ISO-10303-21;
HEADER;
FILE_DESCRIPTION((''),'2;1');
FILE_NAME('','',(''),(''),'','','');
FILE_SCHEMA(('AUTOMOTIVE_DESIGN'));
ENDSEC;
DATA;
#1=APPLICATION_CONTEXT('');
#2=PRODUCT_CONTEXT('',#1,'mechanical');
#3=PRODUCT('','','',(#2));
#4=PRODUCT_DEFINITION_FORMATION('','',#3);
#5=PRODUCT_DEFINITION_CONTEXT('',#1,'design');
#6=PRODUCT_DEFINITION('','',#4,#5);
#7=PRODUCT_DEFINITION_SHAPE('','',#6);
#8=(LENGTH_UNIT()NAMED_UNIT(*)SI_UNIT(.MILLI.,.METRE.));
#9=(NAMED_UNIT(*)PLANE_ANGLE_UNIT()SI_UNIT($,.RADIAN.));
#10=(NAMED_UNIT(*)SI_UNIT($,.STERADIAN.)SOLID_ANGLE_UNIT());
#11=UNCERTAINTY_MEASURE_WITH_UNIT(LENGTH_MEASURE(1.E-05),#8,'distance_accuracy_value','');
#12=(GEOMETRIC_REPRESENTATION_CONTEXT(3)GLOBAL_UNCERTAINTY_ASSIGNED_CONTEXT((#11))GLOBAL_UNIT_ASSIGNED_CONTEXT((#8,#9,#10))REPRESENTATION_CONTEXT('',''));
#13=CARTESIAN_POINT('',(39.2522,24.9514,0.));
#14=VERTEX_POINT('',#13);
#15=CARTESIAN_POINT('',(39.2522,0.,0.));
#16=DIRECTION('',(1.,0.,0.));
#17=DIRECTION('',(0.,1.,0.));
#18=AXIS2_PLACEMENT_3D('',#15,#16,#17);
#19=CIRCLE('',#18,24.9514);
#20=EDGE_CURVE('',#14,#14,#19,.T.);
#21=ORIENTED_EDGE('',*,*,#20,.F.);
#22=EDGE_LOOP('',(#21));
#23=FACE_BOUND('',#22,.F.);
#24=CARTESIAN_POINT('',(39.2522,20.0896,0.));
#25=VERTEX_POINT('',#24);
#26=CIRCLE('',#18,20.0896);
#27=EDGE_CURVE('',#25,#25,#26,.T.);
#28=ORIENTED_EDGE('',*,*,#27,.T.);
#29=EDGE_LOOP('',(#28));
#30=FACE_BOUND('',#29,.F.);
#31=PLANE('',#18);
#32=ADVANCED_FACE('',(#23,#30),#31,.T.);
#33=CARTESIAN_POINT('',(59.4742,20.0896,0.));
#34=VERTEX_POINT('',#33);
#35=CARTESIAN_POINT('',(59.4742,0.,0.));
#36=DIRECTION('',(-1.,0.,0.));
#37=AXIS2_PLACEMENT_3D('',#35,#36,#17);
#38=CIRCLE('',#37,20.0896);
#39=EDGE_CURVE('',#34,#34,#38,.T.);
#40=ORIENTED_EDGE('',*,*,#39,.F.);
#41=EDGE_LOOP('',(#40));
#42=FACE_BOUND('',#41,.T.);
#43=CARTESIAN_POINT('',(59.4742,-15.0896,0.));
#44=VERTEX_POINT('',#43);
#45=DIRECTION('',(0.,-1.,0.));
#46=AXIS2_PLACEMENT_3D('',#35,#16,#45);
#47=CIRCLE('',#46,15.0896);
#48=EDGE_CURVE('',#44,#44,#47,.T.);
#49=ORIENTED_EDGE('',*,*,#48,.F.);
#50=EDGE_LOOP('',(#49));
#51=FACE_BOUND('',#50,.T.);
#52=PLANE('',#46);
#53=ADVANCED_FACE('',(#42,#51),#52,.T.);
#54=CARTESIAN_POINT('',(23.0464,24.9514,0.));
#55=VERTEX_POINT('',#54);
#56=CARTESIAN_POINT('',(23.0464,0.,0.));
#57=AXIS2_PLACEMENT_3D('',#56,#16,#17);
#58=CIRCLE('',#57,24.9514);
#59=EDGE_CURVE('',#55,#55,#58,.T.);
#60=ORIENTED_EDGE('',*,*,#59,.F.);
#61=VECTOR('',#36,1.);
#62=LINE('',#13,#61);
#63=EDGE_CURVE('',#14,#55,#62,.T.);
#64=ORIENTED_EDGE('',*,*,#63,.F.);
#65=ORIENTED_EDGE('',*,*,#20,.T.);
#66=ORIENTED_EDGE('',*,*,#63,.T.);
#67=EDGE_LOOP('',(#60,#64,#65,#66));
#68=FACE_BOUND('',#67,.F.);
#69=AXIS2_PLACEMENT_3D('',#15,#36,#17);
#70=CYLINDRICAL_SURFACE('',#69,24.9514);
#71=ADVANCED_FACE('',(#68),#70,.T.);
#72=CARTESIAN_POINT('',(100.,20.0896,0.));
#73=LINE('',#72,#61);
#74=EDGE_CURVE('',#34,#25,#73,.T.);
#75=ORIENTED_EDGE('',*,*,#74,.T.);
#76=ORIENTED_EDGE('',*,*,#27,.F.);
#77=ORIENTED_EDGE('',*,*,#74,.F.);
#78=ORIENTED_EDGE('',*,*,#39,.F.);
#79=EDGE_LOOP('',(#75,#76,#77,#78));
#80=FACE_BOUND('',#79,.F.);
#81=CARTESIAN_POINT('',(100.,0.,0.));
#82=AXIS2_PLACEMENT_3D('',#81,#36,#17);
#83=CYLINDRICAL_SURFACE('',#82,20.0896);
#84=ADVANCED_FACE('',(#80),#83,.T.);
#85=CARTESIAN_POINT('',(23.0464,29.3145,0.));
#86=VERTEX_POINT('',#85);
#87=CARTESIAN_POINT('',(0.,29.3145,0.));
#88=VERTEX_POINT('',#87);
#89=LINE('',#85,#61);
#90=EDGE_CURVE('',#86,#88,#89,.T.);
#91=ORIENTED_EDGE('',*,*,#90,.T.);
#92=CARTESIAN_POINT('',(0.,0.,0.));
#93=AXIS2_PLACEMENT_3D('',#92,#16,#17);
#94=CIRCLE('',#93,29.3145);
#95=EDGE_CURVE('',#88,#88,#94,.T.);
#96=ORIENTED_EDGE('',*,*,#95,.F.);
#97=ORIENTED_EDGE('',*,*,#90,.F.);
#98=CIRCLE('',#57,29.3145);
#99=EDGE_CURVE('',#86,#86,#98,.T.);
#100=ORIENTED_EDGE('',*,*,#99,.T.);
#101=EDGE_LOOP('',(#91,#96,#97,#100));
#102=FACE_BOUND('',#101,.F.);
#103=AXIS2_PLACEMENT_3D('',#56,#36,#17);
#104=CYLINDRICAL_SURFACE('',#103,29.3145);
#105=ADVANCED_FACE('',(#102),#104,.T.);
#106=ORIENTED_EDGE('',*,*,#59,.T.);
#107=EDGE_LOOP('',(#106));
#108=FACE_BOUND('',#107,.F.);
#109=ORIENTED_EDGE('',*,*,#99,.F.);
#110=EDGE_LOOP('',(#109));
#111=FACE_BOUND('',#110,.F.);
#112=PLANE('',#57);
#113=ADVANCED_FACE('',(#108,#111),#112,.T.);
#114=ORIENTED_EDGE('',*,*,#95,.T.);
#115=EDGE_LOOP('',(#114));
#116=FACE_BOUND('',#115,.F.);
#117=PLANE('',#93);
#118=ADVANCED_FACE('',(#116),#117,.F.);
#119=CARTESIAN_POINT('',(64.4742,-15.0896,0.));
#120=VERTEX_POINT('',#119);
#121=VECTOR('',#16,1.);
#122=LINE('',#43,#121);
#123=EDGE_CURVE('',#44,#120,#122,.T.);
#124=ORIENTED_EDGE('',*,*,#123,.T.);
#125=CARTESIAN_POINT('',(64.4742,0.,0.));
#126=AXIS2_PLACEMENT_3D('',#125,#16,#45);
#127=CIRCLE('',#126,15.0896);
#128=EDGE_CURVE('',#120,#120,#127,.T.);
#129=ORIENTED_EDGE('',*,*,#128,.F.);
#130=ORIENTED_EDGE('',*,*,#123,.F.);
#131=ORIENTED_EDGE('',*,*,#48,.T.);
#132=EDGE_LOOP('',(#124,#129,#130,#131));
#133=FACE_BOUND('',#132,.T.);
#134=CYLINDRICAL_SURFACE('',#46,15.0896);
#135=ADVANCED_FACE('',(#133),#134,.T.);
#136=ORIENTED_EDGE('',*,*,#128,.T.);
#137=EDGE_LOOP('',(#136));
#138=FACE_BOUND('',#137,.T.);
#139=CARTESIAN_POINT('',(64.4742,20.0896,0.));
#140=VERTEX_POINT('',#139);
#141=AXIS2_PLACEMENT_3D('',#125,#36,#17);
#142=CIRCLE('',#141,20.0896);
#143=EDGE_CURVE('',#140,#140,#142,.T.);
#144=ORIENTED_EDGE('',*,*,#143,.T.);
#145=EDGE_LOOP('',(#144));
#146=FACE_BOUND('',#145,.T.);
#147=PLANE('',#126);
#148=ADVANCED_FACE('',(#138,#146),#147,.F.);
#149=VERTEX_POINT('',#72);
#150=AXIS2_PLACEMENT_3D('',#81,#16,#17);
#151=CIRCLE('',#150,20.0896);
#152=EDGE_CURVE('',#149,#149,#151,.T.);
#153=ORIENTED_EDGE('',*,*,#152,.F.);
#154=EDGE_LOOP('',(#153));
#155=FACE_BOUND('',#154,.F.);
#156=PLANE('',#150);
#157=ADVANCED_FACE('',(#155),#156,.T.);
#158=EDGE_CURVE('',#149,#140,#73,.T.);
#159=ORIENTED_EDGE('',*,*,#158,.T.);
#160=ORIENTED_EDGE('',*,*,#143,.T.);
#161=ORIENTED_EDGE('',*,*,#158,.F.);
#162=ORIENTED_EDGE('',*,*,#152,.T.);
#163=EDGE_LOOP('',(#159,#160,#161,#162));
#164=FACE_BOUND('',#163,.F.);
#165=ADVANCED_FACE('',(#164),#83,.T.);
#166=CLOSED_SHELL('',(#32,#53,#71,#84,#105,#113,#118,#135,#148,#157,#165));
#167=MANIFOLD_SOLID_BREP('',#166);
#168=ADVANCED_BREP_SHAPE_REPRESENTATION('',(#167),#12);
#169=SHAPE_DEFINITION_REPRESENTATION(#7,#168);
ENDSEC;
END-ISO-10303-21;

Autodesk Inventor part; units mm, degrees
ref_plane "YZ Plane" through (0, 0, 0) normal (1, 0, 0) x (0, 1, 0)
ref_plane "XZ Plane" through (0, 0, 0) normal (0, 1, 0) x (-1, 0, 0)
ref_plane "XY Plane" through (0, 0, 0) normal (0, 0, 1) x (1, 0, 0)
sketch "Эскиз1" plane through (0, 0, 0) normal (0, 0, 1) x (1, 0, 0)
  line L0 (0, 0) -> (100, 0)
  line L1 (100, 0) -> (100, 20.0896)
  line L2 (100, 20.0896) -> (39.2522, 20.0896)
  line L3 (39.2522, 20.0896) -> (39.2522, 24.9514)
  line L4 (39.2522, 24.9514) -> (23.0464, 24.9514)
  line L5 (23.0464, 24.9514) -> (23.0464, 29.3145)
  line L6 (23.0464, 29.3145) -> (0, 29.3145)
  line L7 (0, 29.3145) -> (0, 0)
  line L8 (59.4742, 20.0896) -> (59.4742, 15.0896)
  line L9 (59.4742, 15.0896) -> (64.4742, 15.0896)
  line L10 (64.4742, 15.0896) -> (64.4742, 20.0896)
  dimension "d0" = 100
  dimension "d2" = 5
  dimension "d3" = 5
revolve "Вращение1" add sketch "Эскиз1" angle 360 about axis through (0, 0, 0) along (1, 0, 0)
revolve "Вращение2" add sketch "Эскиз1" angle 360 about axis through (0, 0, 0) along (1, 0, 0) contours L10 L9 L8 L2
revolve "Вращение3" cut sketch "Эскиз1" angle 360 mid plane about axis through (0, 0, 0) along (1, 0, 0) contours L10 L9 L8 L2
properties part number "lab_4_1" material "Серебро"
